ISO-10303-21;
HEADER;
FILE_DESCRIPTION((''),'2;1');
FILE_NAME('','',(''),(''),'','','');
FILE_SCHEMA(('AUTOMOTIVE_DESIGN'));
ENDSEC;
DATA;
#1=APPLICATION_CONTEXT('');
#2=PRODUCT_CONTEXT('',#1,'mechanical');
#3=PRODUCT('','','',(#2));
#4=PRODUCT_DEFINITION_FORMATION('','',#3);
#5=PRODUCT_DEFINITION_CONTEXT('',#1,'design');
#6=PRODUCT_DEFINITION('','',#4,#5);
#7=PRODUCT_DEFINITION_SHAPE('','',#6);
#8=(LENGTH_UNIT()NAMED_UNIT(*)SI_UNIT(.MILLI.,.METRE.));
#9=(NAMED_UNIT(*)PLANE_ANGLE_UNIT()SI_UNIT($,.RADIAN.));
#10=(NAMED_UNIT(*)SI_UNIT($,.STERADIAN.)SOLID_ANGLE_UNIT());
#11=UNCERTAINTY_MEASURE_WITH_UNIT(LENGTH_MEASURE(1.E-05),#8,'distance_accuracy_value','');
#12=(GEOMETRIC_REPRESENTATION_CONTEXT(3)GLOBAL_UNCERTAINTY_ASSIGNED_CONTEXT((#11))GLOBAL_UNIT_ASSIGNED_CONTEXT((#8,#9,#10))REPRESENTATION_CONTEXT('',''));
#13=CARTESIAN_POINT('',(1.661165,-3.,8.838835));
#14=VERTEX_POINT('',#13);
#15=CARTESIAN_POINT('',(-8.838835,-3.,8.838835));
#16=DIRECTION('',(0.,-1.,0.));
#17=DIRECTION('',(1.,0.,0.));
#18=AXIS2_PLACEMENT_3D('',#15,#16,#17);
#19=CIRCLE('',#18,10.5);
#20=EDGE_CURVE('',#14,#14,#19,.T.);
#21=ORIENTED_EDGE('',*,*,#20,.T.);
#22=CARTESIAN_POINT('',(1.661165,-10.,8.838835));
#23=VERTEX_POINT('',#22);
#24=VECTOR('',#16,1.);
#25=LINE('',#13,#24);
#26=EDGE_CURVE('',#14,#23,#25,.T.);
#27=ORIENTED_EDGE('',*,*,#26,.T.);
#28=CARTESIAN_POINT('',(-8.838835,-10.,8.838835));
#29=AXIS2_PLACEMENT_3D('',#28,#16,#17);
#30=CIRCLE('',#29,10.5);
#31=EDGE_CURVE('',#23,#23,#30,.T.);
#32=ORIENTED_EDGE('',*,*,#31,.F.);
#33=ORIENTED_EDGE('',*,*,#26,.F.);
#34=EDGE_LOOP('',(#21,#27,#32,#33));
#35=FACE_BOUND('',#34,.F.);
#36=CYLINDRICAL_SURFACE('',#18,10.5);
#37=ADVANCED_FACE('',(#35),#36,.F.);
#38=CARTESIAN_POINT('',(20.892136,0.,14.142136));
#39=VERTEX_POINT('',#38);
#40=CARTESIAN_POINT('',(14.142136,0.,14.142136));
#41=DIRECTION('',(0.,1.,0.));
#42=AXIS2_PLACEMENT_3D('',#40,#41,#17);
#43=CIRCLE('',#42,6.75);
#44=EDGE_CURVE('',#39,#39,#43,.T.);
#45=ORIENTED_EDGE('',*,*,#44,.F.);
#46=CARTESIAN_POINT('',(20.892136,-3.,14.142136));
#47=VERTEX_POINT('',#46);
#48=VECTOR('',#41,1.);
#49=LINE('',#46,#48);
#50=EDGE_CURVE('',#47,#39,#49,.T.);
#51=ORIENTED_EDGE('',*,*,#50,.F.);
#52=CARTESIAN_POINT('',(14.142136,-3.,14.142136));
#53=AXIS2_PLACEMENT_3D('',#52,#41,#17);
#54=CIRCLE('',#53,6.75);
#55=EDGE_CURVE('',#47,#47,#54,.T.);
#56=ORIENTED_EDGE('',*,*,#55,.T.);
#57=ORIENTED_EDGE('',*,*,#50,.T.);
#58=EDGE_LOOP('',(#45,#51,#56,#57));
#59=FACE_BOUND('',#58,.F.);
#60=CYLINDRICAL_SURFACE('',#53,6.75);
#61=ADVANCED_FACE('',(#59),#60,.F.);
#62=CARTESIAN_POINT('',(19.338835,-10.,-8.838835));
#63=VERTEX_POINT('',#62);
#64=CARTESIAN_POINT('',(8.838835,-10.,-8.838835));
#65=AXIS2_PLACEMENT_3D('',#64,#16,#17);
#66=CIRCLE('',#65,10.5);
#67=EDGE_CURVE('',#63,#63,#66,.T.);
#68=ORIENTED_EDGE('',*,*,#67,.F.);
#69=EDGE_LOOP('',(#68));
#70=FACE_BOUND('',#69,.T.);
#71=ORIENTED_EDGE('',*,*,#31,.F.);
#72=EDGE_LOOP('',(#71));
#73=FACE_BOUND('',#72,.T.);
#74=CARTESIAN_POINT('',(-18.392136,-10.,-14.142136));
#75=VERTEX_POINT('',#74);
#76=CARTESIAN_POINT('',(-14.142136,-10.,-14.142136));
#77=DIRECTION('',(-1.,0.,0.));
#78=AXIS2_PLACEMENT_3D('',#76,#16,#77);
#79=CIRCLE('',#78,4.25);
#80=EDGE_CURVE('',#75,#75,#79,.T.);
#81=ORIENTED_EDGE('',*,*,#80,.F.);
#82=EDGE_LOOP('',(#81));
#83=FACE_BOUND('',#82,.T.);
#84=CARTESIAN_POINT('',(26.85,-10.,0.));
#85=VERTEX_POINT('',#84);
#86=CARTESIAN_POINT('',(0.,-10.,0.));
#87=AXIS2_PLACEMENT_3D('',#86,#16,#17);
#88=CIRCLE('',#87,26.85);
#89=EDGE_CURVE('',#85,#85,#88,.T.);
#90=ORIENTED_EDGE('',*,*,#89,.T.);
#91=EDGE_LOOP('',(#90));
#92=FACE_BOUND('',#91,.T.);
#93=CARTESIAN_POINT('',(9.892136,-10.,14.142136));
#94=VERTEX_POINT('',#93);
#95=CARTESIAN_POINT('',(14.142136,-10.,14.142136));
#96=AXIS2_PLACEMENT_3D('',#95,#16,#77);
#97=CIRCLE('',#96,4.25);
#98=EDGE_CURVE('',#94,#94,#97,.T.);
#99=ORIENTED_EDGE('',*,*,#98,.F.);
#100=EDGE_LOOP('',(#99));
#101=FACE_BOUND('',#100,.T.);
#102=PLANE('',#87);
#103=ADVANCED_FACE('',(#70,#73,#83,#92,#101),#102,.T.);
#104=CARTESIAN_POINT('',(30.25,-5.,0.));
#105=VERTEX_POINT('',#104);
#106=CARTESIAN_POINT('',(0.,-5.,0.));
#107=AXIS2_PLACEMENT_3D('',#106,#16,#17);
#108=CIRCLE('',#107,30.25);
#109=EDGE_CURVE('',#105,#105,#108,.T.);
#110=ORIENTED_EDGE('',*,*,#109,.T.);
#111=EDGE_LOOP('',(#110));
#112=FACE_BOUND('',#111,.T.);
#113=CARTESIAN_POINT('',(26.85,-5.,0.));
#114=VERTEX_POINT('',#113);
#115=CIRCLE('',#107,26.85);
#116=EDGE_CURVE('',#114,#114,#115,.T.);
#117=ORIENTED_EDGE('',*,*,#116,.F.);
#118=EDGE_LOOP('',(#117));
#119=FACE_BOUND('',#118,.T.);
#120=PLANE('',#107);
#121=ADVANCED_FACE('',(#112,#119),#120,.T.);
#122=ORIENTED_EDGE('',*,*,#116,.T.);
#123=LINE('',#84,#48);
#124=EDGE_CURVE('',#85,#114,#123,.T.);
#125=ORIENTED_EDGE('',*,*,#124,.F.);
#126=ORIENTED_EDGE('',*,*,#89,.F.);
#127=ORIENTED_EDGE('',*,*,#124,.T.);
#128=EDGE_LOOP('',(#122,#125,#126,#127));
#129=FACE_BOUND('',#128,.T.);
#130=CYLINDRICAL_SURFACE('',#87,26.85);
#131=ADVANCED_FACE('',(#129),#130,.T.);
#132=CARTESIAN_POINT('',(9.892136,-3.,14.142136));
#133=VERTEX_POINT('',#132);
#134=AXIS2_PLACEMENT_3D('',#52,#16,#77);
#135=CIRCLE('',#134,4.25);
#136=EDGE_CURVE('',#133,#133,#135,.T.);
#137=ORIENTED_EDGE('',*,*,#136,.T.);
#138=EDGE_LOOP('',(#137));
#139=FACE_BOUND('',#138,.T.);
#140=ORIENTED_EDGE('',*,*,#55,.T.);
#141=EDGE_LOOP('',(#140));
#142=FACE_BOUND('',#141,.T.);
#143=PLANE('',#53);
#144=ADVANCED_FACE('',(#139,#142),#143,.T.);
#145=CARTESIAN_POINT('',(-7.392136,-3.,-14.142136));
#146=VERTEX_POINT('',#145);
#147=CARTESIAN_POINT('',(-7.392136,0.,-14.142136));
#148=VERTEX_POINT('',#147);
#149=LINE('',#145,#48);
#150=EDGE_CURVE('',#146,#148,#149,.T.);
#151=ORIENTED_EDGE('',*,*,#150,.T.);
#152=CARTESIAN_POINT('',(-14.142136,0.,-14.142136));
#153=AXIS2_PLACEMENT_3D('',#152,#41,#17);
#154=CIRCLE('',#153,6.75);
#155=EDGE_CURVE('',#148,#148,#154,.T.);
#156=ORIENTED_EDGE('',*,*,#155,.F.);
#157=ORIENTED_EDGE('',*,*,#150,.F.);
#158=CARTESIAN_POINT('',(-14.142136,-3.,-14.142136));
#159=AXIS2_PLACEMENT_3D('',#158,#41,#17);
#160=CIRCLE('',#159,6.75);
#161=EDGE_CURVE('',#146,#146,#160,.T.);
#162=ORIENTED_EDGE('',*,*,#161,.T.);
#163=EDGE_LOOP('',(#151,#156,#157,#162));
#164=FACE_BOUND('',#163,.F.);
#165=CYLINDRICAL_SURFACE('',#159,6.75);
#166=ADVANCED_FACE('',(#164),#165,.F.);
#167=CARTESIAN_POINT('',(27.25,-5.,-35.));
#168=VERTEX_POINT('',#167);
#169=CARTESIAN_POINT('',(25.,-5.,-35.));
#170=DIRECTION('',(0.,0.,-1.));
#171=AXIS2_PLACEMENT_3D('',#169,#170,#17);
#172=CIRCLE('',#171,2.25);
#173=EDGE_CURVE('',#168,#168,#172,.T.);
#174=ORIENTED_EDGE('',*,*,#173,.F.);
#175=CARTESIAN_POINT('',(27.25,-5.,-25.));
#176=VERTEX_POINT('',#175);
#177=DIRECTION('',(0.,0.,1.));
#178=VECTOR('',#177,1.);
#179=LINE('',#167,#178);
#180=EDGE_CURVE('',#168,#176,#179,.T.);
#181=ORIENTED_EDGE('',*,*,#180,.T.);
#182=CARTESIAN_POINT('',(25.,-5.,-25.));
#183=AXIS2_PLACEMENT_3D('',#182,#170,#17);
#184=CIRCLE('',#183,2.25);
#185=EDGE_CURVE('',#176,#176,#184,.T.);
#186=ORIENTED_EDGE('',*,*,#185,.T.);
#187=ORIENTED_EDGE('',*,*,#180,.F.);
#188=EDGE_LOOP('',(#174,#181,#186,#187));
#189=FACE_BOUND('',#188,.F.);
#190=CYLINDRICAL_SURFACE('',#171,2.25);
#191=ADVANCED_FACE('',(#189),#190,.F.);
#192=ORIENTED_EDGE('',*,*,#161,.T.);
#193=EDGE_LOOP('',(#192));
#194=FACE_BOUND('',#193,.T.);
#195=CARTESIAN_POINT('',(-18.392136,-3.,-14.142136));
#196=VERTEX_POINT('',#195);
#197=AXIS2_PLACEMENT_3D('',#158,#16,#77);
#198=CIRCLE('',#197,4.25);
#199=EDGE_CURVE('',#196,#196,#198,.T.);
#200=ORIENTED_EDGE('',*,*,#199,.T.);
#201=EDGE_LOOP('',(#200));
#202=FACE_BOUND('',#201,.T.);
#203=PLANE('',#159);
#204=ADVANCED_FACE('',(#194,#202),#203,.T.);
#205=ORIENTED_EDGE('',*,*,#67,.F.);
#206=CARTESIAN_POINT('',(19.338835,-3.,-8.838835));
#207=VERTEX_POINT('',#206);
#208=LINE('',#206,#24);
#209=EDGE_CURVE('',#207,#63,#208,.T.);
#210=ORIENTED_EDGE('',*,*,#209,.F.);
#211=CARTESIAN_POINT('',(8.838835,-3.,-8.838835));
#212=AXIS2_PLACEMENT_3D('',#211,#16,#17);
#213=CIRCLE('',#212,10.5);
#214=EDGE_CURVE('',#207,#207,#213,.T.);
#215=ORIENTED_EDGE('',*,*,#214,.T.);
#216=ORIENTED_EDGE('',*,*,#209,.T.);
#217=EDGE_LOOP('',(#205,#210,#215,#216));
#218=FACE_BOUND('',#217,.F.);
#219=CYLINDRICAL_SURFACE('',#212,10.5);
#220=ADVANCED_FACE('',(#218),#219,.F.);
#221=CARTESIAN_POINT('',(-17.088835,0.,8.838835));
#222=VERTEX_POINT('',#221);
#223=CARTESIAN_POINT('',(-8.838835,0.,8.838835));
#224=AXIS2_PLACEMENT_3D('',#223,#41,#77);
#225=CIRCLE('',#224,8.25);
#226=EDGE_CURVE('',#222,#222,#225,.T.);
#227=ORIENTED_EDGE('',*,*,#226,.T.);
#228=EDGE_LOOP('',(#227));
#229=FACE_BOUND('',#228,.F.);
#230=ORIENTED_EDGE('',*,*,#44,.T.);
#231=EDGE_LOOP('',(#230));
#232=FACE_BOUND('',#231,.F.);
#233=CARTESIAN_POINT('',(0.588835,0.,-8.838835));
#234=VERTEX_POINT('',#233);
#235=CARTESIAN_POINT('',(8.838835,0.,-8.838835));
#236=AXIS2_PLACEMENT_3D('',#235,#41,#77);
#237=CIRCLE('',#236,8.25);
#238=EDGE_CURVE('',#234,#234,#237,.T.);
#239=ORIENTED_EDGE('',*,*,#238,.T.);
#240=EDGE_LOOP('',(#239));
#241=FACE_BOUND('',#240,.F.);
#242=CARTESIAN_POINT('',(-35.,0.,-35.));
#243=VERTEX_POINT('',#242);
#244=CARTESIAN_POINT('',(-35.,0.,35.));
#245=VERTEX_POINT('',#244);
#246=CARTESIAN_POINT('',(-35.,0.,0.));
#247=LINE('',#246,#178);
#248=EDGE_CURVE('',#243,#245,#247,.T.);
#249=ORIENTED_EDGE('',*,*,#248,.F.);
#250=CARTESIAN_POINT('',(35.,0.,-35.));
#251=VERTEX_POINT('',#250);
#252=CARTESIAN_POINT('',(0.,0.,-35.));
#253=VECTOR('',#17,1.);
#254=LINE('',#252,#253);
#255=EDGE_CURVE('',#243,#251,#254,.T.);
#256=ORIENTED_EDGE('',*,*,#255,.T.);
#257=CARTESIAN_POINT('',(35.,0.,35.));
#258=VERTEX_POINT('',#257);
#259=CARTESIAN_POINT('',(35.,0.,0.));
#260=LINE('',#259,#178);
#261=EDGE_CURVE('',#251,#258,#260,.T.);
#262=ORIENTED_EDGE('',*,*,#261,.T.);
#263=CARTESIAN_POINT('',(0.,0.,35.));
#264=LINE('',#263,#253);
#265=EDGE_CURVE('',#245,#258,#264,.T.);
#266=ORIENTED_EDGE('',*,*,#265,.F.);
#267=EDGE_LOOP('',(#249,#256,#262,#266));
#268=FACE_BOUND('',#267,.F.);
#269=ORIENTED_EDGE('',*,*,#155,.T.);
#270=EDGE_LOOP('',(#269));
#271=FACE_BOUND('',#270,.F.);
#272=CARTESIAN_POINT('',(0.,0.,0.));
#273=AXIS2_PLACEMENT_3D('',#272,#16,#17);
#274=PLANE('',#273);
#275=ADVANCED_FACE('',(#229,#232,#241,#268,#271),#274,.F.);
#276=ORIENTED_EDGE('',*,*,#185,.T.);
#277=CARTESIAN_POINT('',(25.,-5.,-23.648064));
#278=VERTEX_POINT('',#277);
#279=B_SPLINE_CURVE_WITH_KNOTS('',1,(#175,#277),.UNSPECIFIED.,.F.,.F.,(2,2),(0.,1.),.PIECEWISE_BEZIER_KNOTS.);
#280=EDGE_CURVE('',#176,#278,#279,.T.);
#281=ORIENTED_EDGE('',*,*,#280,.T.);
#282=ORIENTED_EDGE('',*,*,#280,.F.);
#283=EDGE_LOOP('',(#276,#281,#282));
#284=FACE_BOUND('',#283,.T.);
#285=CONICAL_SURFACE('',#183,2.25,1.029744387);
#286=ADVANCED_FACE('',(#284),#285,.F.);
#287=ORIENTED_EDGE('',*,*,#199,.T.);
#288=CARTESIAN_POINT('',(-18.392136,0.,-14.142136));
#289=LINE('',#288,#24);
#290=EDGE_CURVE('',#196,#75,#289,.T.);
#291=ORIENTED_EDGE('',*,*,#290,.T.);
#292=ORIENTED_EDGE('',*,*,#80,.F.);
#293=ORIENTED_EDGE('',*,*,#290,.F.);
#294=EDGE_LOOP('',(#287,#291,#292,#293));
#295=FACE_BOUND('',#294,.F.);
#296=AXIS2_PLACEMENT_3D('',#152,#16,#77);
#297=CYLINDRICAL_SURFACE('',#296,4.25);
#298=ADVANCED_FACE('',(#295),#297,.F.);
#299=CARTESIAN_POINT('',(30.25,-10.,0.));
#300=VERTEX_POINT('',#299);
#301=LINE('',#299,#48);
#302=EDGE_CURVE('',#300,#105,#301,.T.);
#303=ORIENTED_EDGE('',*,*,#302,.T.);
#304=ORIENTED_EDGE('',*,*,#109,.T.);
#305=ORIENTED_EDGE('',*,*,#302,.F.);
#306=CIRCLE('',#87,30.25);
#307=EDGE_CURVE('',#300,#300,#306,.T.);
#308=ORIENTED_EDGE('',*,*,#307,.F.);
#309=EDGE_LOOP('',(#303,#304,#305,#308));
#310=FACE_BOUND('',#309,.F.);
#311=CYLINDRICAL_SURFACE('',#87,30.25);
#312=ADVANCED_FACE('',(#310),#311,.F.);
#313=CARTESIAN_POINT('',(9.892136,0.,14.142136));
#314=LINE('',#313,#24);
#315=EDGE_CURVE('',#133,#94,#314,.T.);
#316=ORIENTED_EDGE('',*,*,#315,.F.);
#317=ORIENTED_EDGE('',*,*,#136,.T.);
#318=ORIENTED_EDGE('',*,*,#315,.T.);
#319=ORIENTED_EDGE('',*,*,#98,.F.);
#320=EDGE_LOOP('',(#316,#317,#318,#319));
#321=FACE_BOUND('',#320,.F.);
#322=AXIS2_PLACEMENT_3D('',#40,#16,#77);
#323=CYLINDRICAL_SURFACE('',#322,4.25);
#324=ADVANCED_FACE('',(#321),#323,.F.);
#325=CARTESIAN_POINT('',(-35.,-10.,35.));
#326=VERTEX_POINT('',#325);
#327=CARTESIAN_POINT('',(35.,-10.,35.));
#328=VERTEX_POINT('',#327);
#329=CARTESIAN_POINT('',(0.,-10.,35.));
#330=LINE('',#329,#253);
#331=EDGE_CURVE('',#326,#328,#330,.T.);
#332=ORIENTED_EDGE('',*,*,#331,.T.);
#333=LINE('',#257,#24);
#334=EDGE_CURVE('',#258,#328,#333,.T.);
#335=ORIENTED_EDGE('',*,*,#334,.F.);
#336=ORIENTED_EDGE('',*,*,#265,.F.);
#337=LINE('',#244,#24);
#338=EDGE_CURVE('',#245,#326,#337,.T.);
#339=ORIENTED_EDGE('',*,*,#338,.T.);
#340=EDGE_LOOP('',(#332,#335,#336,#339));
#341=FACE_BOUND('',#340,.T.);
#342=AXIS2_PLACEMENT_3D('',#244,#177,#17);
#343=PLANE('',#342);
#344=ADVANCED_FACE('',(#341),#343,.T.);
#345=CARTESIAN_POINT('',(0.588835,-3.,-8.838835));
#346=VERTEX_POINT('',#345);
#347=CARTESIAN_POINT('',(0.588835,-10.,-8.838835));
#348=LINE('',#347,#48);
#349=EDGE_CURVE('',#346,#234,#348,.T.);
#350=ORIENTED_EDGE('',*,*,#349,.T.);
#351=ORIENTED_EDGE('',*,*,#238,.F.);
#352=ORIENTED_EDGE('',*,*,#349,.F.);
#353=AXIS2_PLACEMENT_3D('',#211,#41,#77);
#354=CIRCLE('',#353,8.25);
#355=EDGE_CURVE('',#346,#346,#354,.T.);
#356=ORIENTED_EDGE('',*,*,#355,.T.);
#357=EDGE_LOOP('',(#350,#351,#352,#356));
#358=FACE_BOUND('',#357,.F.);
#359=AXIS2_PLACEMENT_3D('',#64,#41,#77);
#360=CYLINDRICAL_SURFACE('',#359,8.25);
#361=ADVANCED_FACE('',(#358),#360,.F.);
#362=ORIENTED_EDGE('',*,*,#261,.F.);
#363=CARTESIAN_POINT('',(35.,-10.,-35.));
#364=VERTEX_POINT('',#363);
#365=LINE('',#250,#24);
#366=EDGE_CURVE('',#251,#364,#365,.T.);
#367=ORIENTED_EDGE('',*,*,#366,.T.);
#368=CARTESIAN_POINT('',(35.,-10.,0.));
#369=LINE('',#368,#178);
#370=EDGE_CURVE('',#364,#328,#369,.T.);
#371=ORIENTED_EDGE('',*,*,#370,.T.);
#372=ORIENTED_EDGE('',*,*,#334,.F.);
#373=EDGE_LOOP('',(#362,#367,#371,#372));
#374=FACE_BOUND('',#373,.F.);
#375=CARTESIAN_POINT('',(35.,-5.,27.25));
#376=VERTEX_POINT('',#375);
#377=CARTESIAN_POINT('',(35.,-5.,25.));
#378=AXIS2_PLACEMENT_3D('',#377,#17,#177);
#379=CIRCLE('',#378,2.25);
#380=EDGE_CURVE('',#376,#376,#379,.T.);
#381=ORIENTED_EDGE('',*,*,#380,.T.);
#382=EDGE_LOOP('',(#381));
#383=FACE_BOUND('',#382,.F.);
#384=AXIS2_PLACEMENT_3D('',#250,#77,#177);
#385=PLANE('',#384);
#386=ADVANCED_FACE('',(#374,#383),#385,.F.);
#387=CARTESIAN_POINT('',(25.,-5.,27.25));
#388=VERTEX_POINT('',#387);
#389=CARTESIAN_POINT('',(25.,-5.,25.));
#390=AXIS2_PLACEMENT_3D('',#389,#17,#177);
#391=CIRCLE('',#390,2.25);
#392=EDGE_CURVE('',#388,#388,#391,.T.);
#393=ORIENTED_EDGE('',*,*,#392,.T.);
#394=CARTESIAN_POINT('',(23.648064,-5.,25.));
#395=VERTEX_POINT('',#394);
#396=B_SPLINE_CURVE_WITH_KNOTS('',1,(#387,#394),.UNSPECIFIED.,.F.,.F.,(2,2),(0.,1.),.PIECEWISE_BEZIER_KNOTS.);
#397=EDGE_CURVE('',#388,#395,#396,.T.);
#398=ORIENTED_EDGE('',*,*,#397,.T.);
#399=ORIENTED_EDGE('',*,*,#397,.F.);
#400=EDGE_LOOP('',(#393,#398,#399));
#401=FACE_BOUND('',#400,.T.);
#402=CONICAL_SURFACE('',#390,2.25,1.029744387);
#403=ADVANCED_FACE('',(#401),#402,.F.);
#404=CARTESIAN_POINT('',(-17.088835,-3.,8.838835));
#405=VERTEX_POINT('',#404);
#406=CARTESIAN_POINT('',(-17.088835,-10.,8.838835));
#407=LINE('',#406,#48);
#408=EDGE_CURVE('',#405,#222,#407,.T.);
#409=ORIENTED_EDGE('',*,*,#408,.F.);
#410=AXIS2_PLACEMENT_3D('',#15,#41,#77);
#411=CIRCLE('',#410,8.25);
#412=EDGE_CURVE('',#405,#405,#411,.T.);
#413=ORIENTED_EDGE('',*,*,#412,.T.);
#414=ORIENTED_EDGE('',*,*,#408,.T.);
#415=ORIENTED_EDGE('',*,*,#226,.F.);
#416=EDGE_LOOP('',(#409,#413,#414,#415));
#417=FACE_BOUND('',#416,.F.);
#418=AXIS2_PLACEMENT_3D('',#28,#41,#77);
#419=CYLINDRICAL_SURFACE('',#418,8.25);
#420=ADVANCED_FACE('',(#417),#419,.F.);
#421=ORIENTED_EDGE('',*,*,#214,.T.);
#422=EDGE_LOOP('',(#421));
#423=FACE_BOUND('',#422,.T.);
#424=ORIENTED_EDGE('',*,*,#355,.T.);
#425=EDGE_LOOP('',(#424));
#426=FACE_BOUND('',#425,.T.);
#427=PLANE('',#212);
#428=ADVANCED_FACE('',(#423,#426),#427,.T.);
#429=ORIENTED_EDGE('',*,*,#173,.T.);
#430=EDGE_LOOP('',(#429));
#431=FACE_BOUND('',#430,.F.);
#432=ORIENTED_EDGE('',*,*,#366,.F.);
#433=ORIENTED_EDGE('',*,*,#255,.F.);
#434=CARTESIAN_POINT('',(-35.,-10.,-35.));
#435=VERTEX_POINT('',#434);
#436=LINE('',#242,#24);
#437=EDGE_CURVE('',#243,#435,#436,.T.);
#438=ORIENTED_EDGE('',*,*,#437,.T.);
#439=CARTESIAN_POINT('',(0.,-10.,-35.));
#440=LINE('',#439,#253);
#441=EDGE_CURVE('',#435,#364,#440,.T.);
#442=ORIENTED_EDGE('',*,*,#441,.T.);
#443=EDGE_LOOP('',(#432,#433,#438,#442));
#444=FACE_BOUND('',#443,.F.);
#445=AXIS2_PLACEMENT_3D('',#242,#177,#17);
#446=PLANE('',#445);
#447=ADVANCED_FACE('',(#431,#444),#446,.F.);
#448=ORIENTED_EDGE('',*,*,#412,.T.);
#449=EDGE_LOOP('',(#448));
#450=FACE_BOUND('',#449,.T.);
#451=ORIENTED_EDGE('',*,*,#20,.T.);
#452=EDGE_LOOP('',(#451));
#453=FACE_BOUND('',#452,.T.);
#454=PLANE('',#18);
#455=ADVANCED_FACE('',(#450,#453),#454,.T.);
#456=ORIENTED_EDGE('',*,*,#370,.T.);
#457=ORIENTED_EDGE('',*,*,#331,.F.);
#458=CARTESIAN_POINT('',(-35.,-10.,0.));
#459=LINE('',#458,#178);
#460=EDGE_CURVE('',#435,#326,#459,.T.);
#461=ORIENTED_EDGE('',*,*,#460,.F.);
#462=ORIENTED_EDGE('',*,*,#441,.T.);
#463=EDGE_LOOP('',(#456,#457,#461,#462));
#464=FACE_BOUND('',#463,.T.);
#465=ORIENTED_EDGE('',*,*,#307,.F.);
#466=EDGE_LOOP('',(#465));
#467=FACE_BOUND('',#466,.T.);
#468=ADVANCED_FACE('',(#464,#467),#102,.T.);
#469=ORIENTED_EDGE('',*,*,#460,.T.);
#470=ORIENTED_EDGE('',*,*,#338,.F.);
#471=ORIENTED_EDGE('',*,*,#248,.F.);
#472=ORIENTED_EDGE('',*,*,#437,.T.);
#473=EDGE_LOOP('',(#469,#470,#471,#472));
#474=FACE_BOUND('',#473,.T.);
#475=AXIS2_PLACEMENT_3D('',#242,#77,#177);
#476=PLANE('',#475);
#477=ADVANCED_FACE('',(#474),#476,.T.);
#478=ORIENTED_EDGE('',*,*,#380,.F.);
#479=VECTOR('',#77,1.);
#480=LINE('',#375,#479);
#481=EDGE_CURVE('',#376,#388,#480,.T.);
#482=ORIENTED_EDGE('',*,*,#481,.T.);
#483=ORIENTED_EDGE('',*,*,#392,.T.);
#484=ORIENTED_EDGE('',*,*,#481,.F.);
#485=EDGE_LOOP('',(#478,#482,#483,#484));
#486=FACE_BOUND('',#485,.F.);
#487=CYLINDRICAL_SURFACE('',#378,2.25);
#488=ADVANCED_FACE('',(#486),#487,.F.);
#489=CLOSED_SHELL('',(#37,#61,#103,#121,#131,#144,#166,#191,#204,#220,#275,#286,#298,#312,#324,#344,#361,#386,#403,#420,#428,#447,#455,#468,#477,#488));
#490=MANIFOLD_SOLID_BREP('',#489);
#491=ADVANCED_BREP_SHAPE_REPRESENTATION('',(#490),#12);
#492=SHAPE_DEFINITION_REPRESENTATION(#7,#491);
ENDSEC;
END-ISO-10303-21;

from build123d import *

# Parameters (mm, degrees)
SKETCH_W            = 70
SKETCH_H            = 70
PAD_DEPTH           = 10
SKETCH001_R         = 30.25
SKETCH001_R_2       = 26.85
POCKET_DEPTH        = 5
SKETCH003_R         = 2.25
HOLE_DEPTH          = 10
HOLE_TIPS_R         = 2.25
SKETCH004_R         = 2.25
HOLE001_DEPTH       = 10
HOLE001_TIPS_R      = 2.25
HOLE003_D           = 16.5
HOLE003_CBORE_D     = 21
HOLE003_CBORE_DEPTH = 7
HOLE004_D           = 8.5
HOLE004_CBORE_D     = 13.5
HOLE004_CBORE_DEPTH = 3


with BuildPart() as part:
    # Sketch → Pad (new body)
    with BuildSketch(Plane.XZ):
        Rectangle(SKETCH_W, SKETCH_H)
    extrude(amount=PAD_DEPTH)

    # Sketch001 (on Face6 of Pad) → Pocket (cut)
    with BuildSketch(Plane.XZ.offset(10)):
        Circle(SKETCH001_R)
        Circle(SKETCH001_R_2, mode=Mode.SUBTRACT)
    extrude(amount=-POCKET_DEPTH, mode=Mode.SUBTRACT)

    # Sketch003 (on Face3 of Pocket) → Hole (cut)
    with BuildSketch(Plane(origin=(35, 0, 0), x_dir=(0, 0, 1), z_dir=(1, 0, 0))):
        with Locations((25, 5)):
            Circle(SKETCH003_R)
    extrude(amount=-HOLE_DEPTH, mode=Mode.SUBTRACT)

    # Hole tips → Hole tip 1 section 0
    with BuildSketch(Plane(origin=(25, 0, 0), x_dir=(0, 0, 1), z_dir=(1, 0, 0)), mode=Mode.PRIVATE) as hole_tip_1_s0:
        with Locations((25, 5)):
            Circle(HOLE_TIPS_R)
    loft([hole_tip_1_s0.sketch, Vertex(23.648064, -5, 25)], mode=Mode.SUBTRACT)

    # Sketch004 (on Face6 of Hole) → Hole001 (cut)
    with BuildSketch(Plane(origin=(0, 0, -35), x_dir=(1, 0, 0), z_dir=(0, 0, -1))):
        with Locations((25, 5)):
            Circle(SKETCH004_R)
    extrude(amount=-HOLE001_DEPTH, mode=Mode.SUBTRACT)

    # Hole001 tips → Hole001 tip 1 section 0
    with BuildSketch(Plane(origin=(0, 0, -25), x_dir=(1, 0, 0), z_dir=(0, 0, -1)), mode=Mode.PRIVATE) as hole001_tip_1_s0:
        with Locations((25, 5)):
            Circle(HOLE001_TIPS_R)
    loft([hole001_tip_1_s0.sketch, Vertex(25, -5, -23.648064)], mode=Mode.SUBTRACT)

    # Hole003 (through all)
    with Locations(Plane.XZ.offset(10)):
        with Locations((-8.838835, 8.838835), (8.838835, -8.838835)):
            CounterBoreHole(HOLE003_D / 2, HOLE003_CBORE_D / 2, HOLE003_CBORE_DEPTH)

    # Hole004 (through all)
    with Locations(Plane(origin=(0, 0, 0), x_dir=(1, 0, 0), z_dir=(0, 1, 0))):
        with Locations((-14.142136, 14.142136), (14.142136, -14.142136)):
            CounterBoreHole(HOLE004_D / 2, HOLE004_CBORE_D / 2, HOLE004_CBORE_DEPTH)


solid = part.part
